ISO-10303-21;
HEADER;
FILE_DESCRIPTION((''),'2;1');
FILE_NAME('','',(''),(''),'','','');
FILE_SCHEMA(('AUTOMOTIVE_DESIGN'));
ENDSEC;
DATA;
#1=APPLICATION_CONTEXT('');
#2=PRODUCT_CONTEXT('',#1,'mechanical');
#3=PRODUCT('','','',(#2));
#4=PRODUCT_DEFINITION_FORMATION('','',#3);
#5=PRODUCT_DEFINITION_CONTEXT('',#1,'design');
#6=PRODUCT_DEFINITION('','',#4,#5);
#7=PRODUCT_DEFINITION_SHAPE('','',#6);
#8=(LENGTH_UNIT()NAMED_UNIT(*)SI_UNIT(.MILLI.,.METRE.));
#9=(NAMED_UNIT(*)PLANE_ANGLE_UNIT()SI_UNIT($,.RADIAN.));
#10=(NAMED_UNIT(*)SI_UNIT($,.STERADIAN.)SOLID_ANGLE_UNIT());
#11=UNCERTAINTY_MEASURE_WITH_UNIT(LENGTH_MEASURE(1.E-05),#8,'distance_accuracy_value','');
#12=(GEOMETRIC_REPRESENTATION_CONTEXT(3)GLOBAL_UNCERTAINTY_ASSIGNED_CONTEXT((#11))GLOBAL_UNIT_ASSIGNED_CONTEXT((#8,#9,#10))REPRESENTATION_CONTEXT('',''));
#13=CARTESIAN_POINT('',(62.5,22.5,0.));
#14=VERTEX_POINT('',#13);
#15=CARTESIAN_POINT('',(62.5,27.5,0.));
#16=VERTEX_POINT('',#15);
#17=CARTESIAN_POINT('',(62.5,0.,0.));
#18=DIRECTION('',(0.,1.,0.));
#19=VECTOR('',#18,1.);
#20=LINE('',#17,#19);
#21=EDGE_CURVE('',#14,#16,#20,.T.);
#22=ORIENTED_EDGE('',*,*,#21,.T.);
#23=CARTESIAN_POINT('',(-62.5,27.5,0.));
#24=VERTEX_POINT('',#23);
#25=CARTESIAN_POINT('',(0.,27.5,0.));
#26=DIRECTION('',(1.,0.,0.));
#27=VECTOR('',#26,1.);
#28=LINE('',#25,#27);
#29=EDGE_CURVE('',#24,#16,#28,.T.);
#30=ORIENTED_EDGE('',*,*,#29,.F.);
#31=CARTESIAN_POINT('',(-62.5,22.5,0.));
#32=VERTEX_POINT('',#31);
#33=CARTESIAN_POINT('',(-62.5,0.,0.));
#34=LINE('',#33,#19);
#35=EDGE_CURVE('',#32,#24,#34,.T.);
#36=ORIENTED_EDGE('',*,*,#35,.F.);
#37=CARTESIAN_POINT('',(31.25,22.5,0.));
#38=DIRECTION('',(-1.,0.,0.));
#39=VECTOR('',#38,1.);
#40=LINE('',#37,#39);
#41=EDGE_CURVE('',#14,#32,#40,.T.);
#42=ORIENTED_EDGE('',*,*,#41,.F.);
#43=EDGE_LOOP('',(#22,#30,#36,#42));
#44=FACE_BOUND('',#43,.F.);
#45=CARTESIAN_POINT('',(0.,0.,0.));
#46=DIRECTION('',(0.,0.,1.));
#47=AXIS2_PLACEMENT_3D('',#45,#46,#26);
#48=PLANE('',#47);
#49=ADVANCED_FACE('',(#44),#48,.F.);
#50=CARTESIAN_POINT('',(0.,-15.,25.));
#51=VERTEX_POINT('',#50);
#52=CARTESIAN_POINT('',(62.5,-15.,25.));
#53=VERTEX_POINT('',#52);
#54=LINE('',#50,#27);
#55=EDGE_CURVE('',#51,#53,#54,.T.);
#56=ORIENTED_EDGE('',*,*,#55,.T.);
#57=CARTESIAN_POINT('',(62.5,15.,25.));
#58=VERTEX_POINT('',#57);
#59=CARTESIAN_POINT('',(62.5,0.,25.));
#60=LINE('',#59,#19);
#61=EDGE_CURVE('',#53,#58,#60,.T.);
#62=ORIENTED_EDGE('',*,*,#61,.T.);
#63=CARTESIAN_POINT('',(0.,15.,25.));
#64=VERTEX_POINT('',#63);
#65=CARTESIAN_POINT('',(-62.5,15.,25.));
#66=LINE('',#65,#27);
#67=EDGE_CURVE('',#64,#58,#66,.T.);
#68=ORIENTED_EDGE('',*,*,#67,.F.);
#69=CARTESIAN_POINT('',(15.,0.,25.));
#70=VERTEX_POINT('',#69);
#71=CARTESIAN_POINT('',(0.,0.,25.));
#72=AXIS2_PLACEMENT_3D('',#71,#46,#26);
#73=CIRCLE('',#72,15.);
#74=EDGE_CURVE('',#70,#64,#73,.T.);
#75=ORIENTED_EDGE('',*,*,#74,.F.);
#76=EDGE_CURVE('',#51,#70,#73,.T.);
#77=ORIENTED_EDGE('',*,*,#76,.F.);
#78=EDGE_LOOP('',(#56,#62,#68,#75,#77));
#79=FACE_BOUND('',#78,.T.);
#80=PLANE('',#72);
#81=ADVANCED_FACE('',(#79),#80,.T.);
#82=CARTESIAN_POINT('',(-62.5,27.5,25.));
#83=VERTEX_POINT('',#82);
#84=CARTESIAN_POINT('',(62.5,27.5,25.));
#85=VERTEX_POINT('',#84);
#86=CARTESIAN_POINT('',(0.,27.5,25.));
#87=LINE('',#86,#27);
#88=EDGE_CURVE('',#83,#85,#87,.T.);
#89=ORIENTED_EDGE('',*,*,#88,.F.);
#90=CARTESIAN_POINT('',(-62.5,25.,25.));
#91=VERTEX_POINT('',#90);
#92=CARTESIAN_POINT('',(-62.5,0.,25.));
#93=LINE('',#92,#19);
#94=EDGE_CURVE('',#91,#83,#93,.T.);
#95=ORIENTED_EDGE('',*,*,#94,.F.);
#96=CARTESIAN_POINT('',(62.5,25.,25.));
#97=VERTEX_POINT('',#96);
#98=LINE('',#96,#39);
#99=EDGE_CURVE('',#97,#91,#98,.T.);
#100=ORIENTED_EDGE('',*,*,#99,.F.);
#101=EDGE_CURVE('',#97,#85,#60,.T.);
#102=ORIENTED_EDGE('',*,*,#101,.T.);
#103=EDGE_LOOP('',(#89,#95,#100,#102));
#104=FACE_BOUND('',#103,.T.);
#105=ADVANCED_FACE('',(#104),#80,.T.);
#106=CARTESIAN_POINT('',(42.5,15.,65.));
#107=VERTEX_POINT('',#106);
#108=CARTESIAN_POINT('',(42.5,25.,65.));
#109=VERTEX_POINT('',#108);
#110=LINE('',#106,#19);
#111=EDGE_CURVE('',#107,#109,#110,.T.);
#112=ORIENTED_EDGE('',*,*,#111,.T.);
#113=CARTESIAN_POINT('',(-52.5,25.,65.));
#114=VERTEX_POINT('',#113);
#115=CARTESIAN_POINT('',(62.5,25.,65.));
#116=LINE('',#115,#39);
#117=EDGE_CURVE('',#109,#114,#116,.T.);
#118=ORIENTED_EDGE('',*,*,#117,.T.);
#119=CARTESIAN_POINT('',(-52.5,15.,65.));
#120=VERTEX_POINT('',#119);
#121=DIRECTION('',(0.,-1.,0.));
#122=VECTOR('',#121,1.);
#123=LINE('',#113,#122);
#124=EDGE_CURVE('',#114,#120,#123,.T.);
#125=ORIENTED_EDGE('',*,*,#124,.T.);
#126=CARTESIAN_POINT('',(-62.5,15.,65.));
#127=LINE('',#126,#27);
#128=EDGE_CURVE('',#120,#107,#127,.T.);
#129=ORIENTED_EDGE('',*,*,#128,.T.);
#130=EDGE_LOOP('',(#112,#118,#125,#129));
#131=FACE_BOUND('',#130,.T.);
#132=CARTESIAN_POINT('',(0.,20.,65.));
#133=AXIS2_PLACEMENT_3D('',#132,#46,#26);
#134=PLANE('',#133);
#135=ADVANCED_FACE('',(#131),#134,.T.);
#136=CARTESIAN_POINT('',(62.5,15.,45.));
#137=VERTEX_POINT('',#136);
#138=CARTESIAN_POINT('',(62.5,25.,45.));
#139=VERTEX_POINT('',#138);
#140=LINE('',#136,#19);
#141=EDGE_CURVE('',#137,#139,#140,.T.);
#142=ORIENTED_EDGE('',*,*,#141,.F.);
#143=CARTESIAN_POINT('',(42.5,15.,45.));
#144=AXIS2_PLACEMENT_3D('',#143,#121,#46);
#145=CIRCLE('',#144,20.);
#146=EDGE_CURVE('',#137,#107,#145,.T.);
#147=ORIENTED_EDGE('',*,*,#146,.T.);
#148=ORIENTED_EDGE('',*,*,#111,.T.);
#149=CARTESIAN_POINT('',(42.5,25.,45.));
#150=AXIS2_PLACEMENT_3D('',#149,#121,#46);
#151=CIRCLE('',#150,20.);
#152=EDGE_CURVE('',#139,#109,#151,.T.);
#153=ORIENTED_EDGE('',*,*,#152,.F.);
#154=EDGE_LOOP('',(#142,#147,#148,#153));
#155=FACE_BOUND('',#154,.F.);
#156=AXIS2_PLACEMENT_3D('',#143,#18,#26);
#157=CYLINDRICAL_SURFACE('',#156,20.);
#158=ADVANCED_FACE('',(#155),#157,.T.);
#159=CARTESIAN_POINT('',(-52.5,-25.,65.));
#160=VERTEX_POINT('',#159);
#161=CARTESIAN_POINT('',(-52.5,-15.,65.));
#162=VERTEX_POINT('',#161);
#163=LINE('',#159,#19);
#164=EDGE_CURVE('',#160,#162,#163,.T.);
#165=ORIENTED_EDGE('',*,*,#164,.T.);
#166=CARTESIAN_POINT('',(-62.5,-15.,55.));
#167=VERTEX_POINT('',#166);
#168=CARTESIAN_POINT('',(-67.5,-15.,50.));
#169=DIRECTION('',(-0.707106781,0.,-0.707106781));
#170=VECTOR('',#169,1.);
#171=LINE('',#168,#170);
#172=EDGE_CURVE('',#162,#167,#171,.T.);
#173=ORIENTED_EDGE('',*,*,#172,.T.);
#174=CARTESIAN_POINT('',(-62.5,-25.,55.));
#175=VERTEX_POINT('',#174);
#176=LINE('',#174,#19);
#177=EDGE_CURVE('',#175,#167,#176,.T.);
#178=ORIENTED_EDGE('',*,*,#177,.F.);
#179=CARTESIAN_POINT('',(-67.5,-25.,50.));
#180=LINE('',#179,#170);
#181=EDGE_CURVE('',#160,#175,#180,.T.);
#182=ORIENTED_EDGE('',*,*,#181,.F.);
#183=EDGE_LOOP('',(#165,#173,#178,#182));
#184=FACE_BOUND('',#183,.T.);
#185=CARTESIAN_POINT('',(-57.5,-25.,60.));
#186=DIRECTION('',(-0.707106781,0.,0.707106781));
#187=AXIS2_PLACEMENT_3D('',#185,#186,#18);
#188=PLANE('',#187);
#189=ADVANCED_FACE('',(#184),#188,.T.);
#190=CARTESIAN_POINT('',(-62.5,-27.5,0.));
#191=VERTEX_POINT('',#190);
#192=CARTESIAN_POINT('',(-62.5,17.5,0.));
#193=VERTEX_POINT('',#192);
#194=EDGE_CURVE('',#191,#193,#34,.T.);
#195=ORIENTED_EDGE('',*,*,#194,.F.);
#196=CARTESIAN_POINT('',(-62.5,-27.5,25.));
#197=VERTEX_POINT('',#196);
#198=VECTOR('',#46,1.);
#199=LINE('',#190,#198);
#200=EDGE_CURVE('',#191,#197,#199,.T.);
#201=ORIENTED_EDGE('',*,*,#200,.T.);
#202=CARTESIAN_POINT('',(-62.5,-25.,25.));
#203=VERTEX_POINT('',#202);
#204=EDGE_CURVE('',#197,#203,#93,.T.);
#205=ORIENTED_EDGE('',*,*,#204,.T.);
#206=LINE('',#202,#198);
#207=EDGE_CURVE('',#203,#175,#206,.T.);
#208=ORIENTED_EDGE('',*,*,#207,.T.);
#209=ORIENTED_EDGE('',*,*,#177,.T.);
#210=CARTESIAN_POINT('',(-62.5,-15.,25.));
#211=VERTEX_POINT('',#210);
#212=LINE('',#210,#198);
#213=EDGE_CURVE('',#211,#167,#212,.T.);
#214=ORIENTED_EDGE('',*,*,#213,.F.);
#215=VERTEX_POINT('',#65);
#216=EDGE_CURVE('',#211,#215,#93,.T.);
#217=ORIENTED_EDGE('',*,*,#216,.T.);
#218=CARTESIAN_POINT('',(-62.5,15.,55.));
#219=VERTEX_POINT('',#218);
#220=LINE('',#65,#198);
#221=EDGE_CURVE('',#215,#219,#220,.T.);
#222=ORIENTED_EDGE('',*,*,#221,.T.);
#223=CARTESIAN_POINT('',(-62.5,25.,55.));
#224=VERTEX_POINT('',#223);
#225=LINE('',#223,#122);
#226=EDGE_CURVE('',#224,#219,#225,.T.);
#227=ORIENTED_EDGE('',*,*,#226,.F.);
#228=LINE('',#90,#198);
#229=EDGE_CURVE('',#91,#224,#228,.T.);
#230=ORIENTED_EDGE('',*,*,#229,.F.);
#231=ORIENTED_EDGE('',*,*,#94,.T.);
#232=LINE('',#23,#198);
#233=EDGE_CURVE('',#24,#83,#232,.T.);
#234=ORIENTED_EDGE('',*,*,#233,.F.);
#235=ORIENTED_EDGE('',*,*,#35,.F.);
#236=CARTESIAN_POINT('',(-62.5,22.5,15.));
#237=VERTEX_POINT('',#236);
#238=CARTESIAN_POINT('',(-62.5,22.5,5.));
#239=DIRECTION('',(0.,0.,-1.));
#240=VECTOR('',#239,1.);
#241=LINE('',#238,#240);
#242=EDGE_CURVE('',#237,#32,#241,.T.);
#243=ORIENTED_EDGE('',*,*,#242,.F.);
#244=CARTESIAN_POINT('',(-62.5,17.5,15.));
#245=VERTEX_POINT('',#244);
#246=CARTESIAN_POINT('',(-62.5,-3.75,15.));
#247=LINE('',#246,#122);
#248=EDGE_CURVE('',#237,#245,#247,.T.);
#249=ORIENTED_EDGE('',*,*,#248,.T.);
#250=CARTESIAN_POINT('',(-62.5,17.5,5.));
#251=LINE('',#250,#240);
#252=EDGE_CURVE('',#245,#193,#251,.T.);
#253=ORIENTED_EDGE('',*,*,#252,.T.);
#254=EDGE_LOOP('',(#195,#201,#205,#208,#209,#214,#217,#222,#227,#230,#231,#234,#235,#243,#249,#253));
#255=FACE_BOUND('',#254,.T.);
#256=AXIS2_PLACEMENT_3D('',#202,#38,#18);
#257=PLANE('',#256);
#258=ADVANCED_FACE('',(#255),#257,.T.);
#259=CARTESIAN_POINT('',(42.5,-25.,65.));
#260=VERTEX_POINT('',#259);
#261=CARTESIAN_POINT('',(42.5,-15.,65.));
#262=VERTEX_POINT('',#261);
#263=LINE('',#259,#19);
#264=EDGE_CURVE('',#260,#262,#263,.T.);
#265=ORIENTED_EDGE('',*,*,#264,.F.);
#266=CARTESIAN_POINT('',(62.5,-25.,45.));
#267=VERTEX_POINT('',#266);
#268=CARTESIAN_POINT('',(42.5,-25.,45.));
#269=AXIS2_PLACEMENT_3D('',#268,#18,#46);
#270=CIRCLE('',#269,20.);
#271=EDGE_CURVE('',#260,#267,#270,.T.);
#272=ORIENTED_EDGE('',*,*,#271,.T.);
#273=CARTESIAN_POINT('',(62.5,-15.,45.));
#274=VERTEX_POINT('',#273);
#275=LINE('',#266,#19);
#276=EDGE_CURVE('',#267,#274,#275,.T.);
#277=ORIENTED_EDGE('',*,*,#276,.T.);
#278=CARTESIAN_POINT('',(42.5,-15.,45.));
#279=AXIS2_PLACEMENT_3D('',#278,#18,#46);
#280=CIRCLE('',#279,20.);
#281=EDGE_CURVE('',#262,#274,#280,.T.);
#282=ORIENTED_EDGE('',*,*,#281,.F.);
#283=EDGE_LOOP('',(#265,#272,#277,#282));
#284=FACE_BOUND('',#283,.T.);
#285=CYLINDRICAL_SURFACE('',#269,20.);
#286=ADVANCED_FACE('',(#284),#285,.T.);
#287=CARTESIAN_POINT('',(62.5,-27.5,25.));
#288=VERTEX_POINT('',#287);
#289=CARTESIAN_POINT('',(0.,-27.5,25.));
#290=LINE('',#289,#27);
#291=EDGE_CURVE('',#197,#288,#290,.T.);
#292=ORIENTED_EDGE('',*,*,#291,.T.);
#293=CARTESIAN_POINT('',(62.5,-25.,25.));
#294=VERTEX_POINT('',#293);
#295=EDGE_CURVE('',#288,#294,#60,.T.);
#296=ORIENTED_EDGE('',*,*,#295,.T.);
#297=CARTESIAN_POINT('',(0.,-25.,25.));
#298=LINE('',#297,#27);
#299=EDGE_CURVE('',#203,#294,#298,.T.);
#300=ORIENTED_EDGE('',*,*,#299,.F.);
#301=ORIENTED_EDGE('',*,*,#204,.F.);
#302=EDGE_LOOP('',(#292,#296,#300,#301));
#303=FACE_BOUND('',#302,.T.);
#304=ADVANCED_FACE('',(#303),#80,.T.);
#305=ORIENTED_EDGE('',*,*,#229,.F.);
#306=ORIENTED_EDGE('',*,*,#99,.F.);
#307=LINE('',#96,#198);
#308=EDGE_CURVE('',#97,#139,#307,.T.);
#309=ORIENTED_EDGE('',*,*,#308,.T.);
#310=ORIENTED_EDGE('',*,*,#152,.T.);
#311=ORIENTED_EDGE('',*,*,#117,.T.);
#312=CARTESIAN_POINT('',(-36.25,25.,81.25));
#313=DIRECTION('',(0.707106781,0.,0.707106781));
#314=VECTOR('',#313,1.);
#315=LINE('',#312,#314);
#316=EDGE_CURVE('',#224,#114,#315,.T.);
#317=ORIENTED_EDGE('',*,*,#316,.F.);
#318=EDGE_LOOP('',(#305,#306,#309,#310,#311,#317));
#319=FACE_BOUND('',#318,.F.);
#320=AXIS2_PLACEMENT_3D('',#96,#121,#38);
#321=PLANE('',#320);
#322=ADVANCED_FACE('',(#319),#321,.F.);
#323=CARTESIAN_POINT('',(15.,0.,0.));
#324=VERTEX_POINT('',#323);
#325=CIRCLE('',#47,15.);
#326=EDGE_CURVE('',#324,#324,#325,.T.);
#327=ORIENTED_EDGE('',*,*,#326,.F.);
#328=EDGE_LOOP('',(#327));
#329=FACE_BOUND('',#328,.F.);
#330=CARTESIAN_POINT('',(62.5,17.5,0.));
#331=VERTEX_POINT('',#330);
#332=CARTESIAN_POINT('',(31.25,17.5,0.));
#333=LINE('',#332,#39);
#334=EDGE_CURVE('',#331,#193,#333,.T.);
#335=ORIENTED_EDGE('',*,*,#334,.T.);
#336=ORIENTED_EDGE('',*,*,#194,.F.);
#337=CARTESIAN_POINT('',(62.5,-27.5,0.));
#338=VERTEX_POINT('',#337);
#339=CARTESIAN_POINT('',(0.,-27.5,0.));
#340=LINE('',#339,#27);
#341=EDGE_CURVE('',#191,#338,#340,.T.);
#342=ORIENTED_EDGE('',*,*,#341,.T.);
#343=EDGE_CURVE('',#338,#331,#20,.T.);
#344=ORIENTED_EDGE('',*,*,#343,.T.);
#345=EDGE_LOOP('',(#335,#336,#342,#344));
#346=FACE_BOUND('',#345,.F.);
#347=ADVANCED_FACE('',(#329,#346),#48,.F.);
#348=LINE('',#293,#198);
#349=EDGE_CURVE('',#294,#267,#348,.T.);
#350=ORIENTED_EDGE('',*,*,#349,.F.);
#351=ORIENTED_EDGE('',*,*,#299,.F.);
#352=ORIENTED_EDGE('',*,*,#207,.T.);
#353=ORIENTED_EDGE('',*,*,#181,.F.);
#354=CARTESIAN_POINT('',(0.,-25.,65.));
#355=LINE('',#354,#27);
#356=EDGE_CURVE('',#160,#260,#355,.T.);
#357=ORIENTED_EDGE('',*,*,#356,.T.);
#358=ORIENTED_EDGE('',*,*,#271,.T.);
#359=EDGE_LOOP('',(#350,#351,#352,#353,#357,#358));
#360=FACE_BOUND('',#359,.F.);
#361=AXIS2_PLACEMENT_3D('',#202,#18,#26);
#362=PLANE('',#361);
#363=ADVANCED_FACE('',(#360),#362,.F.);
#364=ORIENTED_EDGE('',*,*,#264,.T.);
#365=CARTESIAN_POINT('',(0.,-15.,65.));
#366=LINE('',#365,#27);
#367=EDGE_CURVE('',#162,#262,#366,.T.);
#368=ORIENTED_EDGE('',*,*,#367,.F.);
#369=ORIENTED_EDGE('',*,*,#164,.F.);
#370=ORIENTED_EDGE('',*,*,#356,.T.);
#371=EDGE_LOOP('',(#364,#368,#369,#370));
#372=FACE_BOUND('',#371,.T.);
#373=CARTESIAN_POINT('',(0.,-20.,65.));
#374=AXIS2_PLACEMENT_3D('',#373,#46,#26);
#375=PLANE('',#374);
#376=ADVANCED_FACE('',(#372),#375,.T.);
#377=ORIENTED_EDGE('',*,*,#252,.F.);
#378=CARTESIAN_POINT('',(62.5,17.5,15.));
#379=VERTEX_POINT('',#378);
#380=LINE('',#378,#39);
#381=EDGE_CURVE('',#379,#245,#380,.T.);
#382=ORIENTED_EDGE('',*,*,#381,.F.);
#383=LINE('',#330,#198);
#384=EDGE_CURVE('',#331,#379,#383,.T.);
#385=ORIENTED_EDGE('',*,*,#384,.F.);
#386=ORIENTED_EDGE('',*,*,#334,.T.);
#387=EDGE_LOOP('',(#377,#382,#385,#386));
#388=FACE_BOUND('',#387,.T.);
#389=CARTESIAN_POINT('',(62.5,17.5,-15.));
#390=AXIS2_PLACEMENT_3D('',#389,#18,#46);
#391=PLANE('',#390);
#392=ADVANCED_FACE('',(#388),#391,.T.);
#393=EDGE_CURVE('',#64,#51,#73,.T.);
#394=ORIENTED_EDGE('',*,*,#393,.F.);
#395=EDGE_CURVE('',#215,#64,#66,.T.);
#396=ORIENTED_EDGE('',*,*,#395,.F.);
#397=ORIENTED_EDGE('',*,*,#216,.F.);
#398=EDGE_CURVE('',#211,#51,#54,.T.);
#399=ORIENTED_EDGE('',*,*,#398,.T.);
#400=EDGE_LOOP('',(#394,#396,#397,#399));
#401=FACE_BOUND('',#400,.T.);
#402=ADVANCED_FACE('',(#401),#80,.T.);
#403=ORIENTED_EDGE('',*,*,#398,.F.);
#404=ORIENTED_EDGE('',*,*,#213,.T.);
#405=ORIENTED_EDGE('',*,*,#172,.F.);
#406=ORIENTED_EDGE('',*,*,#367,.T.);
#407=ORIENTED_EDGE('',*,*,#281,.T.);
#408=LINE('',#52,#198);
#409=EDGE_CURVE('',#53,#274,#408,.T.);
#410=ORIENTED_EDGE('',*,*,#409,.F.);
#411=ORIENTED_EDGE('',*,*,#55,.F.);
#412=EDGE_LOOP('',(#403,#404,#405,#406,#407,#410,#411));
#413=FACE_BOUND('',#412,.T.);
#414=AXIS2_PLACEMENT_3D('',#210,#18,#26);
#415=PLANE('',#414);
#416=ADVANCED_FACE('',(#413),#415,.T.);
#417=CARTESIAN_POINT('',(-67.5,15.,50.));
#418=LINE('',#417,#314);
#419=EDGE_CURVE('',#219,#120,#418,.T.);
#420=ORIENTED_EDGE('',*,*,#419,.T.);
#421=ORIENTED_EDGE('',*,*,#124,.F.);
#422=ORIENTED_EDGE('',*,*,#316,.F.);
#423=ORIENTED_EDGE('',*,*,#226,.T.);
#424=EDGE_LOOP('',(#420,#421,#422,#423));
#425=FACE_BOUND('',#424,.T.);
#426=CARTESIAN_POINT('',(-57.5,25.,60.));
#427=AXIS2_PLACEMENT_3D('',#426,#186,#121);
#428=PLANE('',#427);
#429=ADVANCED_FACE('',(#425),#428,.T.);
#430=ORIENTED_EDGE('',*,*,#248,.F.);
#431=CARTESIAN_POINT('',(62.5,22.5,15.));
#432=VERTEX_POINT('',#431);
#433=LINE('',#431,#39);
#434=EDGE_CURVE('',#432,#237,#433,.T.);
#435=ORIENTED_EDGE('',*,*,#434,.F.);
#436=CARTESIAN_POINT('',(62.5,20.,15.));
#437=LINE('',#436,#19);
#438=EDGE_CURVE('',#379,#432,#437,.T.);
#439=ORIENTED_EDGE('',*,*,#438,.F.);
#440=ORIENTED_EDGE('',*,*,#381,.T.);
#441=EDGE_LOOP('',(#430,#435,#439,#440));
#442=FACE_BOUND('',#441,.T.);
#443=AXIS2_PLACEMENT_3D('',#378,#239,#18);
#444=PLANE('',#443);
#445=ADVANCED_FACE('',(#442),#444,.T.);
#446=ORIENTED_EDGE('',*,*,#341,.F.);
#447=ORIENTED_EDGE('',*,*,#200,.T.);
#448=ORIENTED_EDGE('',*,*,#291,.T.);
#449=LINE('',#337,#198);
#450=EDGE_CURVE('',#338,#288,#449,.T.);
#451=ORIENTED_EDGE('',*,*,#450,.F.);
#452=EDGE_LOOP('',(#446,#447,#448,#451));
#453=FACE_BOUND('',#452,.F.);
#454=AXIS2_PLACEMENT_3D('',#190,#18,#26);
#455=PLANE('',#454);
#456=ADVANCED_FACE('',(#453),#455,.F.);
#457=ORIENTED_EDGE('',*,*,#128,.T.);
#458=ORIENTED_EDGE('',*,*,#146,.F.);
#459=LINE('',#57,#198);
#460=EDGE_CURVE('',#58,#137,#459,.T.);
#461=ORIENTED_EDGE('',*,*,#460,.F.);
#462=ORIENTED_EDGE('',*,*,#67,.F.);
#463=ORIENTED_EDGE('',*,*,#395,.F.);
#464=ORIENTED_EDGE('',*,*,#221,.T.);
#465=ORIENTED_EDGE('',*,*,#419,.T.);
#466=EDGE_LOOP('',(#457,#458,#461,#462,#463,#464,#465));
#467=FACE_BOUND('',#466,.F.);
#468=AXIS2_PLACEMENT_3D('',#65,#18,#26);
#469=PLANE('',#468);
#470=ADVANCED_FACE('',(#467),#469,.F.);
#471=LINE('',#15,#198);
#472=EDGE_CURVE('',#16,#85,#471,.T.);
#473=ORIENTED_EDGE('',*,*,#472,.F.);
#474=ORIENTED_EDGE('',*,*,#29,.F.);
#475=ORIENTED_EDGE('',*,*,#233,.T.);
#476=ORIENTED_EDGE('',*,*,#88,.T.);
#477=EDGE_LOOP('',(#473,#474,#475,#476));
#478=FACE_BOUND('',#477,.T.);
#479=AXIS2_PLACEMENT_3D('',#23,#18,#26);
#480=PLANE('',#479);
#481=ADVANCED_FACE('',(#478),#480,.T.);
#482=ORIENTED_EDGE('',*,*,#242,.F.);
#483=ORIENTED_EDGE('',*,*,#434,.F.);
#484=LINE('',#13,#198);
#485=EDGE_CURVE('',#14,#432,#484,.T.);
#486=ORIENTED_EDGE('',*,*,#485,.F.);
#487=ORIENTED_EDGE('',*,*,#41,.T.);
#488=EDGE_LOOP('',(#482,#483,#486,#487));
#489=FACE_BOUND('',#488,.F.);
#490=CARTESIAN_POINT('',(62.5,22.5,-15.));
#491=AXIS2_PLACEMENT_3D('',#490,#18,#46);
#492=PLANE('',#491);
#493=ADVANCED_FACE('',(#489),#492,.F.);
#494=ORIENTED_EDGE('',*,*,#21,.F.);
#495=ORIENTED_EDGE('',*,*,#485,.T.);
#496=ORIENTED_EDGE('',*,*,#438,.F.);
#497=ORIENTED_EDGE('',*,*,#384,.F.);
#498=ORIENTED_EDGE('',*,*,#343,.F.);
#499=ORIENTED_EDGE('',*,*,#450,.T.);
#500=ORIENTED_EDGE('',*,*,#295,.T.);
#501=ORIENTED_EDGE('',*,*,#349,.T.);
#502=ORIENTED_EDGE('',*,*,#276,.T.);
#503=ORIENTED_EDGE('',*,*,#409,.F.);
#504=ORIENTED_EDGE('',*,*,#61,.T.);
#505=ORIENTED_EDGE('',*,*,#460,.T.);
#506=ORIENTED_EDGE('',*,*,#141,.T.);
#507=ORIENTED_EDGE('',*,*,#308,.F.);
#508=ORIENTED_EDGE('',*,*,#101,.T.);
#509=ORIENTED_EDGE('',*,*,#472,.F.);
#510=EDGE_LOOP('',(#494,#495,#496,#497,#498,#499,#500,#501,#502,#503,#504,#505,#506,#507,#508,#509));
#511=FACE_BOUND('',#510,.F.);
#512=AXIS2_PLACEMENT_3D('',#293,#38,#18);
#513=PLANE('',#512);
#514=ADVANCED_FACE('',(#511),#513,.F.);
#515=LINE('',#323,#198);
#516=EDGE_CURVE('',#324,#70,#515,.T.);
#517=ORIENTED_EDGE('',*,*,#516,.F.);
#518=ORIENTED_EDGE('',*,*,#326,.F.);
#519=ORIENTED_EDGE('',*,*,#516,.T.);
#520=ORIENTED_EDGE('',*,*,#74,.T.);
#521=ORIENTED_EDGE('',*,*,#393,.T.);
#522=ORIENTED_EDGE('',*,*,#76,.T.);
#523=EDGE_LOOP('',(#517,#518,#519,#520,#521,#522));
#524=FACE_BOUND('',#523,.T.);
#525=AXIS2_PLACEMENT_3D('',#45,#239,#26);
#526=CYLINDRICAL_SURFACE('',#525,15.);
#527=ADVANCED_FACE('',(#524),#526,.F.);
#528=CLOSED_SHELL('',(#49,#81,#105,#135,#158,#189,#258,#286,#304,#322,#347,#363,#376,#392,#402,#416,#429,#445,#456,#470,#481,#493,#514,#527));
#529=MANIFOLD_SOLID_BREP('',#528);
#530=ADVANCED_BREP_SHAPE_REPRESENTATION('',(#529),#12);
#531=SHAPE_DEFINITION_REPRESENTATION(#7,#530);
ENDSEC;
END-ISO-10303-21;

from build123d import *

# Parameters (mm, degrees)
F0_W     = 125
F0_H     = 55
F0_R     = 15
F1_DEPTH = 25
F2_W     = 125
F2_H     = 10
F3_DEPTH = 40
F4_R     = 20
F5_SIZE  = 10
F6_W     = 5
F6_H     = 30
F7_DEPTH = 125.001


with BuildPart() as f1:
    # F0 (on Top) → F1 (new body)
    with BuildSketch(Plane.XY):
        Rectangle(F0_W, F0_H)
        Circle(F0_R, mode=Mode.SUBTRACT)
    extrude(amount=F1_DEPTH)

    # F2 (on face) → F3 (join)
    with BuildSketch(Plane.XY.offset(25)):
        with Locations((0, -20)):
            Rectangle(F2_W, F2_H)
        Polygon((-62.5, 15), (0, 15), (62.5, 15), (62.5, 25), (-62.5, 25), align=None)
    extrude(amount=F3_DEPTH)

    # F4
    f4_edges = [f1.edges().sort_by_distance(p)[0] for p in [
        (62.5, -20, 65),
        (62.5, 20, 65),
    ]]
    fillet(f4_edges, radius=F4_R)

    # F5
    f5_edges = [f1.edges().sort_by_distance(p)[0] for p in [
        (-62.5, 20, 65),
        (-62.5, -20, 65),
    ]]
    chamfer(f5_edges, length=F5_SIZE)

    # F6 (on face) → F7 (cut, through all)
    with BuildSketch(Plane.YZ.offset(62.5)):
        with Locations((20, 0)):
            Rectangle(F6_W, F6_H)
    extrude(amount=-F7_DEPTH, mode=Mode.SUBTRACT)


solid = f1.part
